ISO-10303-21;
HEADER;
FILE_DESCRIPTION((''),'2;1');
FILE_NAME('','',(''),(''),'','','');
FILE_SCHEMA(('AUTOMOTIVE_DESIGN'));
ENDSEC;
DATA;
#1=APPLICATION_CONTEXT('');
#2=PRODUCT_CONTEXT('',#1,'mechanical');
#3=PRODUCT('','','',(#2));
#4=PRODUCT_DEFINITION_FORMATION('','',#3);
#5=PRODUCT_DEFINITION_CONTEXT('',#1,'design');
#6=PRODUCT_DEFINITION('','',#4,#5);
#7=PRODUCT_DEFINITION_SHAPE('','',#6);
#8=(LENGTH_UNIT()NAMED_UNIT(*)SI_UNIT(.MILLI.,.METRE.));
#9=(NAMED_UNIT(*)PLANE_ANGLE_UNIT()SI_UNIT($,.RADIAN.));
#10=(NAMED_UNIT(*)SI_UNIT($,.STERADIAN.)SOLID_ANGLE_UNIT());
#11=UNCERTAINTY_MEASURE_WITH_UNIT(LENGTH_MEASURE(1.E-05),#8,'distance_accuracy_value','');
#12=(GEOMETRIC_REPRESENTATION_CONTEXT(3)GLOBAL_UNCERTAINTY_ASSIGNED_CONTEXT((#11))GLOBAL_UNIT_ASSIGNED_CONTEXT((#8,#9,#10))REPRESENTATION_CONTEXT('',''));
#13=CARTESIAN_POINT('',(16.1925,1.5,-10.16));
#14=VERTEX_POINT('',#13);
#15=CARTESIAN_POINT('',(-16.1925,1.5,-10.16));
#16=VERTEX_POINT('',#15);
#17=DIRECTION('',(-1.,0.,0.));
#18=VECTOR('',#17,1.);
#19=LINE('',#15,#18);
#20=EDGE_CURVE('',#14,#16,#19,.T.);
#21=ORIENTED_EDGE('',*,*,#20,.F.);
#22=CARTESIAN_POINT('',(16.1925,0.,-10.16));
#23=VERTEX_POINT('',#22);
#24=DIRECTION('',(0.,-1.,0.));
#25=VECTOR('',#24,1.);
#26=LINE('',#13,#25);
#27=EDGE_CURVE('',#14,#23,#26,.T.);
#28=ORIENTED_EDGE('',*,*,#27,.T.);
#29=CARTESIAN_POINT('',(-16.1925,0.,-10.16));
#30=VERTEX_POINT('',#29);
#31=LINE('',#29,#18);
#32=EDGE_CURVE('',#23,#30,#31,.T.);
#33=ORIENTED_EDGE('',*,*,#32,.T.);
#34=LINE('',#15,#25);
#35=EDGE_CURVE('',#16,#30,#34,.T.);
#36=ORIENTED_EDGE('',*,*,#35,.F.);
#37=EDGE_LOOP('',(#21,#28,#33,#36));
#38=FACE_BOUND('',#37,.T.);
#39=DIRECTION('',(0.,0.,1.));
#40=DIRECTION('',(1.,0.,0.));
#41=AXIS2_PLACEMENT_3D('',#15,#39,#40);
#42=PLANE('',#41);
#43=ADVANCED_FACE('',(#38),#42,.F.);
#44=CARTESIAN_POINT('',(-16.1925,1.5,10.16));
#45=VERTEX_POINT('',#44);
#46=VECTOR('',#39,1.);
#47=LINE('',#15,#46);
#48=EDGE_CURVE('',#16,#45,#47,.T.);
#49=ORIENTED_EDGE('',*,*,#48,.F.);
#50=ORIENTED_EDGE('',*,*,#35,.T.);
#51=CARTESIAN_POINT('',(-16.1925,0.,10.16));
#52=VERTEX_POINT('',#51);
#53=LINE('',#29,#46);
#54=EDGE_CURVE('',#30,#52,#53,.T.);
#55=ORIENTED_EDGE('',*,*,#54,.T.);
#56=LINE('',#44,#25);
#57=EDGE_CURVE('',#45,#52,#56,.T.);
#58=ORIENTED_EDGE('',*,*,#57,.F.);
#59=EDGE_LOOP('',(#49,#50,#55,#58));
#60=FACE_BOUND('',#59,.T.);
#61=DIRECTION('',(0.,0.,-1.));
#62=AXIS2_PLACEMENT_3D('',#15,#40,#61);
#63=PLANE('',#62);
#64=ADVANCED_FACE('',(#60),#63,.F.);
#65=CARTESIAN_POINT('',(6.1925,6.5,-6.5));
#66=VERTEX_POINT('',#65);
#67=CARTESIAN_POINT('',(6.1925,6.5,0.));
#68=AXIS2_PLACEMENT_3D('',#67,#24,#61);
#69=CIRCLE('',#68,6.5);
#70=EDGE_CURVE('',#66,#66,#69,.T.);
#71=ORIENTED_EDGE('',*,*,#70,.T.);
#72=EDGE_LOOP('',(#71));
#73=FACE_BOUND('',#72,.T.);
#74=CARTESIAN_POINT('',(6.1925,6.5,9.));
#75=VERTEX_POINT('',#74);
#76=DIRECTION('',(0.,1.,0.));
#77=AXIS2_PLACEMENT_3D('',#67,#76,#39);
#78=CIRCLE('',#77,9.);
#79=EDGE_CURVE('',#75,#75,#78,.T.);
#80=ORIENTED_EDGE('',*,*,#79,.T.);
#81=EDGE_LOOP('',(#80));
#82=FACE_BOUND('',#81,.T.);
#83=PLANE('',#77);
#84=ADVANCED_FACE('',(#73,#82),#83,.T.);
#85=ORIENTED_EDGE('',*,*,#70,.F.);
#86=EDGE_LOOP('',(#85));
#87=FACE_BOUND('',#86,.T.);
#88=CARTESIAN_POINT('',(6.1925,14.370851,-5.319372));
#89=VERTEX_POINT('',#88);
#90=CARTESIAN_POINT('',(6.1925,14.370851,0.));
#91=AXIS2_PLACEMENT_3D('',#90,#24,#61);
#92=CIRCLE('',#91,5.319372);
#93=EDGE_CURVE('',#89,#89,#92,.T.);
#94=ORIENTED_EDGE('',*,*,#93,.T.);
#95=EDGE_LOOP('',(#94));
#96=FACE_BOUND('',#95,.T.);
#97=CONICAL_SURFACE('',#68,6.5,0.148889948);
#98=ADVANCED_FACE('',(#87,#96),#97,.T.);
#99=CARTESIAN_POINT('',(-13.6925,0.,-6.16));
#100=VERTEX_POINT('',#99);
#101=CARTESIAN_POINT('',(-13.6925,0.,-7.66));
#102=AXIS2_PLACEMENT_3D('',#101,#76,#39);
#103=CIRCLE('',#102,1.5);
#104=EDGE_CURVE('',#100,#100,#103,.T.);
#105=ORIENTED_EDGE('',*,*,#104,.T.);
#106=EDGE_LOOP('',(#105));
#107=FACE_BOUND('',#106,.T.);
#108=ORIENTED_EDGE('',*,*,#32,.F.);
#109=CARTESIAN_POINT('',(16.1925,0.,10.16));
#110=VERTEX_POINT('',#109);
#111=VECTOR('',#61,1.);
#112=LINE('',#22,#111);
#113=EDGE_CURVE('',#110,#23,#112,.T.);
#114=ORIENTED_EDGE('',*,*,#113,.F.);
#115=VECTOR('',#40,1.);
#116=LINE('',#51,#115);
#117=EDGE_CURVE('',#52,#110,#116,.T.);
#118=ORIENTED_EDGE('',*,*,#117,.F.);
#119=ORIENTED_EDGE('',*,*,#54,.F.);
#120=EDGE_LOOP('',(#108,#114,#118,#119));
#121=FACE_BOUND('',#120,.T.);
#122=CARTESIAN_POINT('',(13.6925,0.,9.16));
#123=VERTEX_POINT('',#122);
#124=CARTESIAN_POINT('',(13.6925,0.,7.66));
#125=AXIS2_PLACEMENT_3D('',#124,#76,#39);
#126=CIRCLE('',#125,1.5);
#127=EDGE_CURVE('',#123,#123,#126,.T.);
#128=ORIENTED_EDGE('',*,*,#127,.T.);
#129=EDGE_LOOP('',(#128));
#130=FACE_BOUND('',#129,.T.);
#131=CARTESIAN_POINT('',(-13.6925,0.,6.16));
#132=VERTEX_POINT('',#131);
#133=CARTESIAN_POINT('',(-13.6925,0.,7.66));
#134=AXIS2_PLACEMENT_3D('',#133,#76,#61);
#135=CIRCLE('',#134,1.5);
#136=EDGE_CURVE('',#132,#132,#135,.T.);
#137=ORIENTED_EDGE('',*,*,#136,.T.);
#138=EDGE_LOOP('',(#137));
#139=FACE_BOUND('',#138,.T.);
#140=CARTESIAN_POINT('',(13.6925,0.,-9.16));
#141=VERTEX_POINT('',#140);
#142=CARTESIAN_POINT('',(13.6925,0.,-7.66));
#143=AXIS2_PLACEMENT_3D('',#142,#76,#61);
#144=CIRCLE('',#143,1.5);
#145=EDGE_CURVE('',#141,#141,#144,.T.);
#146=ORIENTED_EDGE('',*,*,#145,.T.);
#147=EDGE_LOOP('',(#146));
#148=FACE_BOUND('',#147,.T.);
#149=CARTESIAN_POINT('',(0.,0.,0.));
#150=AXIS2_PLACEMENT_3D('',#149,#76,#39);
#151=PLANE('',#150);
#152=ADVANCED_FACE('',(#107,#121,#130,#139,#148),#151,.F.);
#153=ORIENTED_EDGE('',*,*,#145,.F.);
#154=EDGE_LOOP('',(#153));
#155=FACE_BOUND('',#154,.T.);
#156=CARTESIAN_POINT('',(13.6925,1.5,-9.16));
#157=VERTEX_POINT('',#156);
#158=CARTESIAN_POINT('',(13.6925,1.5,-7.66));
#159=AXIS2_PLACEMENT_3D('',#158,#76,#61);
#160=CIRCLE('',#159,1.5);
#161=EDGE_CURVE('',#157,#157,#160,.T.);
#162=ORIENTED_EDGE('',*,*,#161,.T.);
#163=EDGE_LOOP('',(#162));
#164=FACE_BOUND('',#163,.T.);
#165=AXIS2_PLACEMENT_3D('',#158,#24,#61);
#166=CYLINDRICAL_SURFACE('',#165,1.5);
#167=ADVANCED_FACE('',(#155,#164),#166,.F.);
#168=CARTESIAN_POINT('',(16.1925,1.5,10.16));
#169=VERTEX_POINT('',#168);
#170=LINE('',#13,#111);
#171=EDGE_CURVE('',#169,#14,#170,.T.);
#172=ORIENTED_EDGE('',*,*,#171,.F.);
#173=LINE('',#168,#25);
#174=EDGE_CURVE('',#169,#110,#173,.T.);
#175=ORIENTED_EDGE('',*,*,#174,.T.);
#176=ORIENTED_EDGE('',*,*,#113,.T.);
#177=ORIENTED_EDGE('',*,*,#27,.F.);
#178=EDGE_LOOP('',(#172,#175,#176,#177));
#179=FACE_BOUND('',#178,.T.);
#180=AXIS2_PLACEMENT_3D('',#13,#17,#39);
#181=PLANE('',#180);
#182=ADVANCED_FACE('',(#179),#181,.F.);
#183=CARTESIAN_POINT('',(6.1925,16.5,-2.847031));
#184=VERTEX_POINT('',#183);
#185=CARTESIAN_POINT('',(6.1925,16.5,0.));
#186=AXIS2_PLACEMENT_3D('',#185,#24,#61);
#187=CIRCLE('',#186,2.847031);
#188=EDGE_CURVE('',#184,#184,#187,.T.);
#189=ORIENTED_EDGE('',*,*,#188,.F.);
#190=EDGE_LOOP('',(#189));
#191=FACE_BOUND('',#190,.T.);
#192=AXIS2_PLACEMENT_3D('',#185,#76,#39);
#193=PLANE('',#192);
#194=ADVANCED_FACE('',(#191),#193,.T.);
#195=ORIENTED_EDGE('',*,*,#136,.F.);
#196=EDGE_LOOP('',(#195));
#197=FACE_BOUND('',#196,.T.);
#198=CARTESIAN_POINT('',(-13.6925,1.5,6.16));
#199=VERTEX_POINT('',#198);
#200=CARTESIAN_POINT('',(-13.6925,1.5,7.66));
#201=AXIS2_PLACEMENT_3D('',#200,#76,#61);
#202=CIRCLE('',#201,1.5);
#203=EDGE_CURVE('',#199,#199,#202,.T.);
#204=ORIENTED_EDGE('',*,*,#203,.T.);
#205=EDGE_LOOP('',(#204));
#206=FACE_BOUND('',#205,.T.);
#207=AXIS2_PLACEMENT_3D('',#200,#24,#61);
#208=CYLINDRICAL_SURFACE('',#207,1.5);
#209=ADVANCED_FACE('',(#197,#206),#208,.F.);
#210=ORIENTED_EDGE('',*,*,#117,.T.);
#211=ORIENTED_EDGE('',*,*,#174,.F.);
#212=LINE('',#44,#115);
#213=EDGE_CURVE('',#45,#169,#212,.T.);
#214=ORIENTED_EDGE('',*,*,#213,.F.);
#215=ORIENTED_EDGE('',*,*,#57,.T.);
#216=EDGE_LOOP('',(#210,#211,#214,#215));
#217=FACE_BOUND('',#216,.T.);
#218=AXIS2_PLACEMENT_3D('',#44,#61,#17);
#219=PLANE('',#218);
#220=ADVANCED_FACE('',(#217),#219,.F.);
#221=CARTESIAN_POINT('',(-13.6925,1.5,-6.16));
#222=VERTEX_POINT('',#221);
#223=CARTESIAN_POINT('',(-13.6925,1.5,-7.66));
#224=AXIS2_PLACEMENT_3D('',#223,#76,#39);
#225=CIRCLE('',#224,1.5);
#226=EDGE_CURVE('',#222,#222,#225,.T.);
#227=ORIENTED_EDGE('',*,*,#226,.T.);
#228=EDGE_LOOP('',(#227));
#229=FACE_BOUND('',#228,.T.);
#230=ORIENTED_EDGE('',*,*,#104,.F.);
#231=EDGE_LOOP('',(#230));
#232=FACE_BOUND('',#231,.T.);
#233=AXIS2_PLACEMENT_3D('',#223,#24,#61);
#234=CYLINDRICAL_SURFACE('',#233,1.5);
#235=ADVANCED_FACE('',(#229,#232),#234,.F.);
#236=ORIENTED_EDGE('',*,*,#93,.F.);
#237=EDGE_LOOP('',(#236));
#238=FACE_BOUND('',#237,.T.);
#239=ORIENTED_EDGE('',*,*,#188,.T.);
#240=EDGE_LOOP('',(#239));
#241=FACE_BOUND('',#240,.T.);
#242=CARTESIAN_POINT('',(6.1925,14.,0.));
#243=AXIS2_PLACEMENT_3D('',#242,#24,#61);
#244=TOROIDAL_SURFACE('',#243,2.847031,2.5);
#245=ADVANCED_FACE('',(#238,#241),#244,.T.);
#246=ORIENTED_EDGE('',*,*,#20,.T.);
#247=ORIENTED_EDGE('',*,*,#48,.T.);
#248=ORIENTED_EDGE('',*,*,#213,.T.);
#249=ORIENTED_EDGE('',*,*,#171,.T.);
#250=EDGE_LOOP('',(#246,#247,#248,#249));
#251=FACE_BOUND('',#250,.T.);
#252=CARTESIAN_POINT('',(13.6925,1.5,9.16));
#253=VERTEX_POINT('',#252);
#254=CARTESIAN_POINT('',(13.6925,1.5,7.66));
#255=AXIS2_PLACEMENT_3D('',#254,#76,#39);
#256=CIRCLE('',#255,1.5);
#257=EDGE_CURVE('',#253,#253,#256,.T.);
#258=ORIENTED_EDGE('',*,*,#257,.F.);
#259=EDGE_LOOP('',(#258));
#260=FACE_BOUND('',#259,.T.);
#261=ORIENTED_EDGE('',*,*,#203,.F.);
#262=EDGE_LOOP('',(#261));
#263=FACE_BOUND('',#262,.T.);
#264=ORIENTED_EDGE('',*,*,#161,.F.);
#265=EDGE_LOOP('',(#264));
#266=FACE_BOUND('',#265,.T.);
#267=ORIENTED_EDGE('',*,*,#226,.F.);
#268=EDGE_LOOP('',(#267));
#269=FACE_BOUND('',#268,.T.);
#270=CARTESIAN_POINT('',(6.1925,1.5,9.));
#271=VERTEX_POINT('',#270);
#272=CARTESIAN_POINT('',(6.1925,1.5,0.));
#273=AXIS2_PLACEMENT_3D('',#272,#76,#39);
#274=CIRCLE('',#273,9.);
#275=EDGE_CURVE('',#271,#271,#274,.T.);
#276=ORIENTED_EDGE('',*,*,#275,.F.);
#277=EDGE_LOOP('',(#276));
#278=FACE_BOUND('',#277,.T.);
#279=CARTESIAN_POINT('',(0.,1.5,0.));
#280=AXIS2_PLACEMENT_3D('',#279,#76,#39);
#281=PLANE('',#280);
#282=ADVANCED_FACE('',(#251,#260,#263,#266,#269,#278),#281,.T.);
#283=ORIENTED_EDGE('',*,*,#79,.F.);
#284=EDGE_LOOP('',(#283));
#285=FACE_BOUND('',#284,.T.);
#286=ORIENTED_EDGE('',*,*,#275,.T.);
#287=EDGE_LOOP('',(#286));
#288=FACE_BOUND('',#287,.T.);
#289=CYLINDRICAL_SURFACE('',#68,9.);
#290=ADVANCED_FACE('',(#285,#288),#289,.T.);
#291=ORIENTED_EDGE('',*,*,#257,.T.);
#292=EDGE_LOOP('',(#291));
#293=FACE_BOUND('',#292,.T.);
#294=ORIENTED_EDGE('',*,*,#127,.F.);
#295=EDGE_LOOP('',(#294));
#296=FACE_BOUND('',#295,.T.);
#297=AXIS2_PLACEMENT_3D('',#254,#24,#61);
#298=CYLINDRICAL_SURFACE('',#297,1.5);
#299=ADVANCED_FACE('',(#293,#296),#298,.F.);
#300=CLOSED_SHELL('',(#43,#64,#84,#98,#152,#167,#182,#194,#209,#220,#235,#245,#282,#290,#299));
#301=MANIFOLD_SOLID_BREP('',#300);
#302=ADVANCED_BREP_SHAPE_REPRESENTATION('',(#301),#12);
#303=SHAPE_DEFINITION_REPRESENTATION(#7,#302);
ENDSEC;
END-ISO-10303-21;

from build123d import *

# Parameters (mm, degrees)
SKETCH1_W           = 32.385
SKETCH1_H           = 20.32
SKETCH1_R           = 1.5
BOSS_EXTRUDE1_DEPTH = 1.5
SKETCH2_R           = 9
BOSS_EXTRUDE2_DEPTH = 5


with BuildPart() as part:
    # Sketch1 → Boss-Extrude1 (new body)
    with BuildSketch(Plane(origin=(0, 0, 0), x_dir=(1, 0, 0), z_dir=(0, 1, 0))):
        Rectangle(SKETCH1_W, SKETCH1_H)
        with Locations(Location((-13.6925, 7.66, 0), (0, 0, 270))):
            Circle(SKETCH1_R, mode=Mode.SUBTRACT)
        with Locations(Location((13.6925, 7.66, 0), (0, 0, 90))):
            Circle(SKETCH1_R, mode=Mode.SUBTRACT)
        with Locations(Location((13.6925, -7.66, 0), (0, 0, 270))):
            Circle(SKETCH1_R, mode=Mode.SUBTRACT)
        with Locations(Location((-13.6925, -7.66, 0), (0, 0, 90))):
            Circle(SKETCH1_R, mode=Mode.SUBTRACT)
    extrude(amount=BOSS_EXTRUDE1_DEPTH)

    # Sketch2 → Boss-Extrude2 (add)
    with BuildSketch(Plane(origin=(0, 1.5, 0), x_dir=(1, 0, 0), z_dir=(0, 1, 0))):
        with Locations(Location((6.1925, 0, 0), (0, 0, 270))):
            Circle(SKETCH2_R)
    extrude(amount=BOSS_EXTRUDE2_DEPTH)

    # Sketch3 → Revolve1 (revolve)
    with BuildSketch(Plane.XY, mode=Mode.PRIVATE) as revolve1_sk:
        with BuildLine():
            Line((6.1925, 6.5), (6.1925, 16.5))
            Line((6.1925, 16.5), (9.039531448, 16.5))
            ThreePointArc((9.039531448, 16.5), (10.670922292, 15.894350526), (11.51187233, 14.370851132))
            Line((11.51187233, 14.370851132), (12.6925, 6.5))
            Line((12.6925, 6.5), (6.1925, 6.5))
        make_face()
    revolve(revolve1_sk.sketch.rotate(Axis((6.1925, 6.5, 0), (0, 1, 0)), 90), axis=Axis((6.1925, 6.5, 0), (0, 1, 0)))


solid = part.part
